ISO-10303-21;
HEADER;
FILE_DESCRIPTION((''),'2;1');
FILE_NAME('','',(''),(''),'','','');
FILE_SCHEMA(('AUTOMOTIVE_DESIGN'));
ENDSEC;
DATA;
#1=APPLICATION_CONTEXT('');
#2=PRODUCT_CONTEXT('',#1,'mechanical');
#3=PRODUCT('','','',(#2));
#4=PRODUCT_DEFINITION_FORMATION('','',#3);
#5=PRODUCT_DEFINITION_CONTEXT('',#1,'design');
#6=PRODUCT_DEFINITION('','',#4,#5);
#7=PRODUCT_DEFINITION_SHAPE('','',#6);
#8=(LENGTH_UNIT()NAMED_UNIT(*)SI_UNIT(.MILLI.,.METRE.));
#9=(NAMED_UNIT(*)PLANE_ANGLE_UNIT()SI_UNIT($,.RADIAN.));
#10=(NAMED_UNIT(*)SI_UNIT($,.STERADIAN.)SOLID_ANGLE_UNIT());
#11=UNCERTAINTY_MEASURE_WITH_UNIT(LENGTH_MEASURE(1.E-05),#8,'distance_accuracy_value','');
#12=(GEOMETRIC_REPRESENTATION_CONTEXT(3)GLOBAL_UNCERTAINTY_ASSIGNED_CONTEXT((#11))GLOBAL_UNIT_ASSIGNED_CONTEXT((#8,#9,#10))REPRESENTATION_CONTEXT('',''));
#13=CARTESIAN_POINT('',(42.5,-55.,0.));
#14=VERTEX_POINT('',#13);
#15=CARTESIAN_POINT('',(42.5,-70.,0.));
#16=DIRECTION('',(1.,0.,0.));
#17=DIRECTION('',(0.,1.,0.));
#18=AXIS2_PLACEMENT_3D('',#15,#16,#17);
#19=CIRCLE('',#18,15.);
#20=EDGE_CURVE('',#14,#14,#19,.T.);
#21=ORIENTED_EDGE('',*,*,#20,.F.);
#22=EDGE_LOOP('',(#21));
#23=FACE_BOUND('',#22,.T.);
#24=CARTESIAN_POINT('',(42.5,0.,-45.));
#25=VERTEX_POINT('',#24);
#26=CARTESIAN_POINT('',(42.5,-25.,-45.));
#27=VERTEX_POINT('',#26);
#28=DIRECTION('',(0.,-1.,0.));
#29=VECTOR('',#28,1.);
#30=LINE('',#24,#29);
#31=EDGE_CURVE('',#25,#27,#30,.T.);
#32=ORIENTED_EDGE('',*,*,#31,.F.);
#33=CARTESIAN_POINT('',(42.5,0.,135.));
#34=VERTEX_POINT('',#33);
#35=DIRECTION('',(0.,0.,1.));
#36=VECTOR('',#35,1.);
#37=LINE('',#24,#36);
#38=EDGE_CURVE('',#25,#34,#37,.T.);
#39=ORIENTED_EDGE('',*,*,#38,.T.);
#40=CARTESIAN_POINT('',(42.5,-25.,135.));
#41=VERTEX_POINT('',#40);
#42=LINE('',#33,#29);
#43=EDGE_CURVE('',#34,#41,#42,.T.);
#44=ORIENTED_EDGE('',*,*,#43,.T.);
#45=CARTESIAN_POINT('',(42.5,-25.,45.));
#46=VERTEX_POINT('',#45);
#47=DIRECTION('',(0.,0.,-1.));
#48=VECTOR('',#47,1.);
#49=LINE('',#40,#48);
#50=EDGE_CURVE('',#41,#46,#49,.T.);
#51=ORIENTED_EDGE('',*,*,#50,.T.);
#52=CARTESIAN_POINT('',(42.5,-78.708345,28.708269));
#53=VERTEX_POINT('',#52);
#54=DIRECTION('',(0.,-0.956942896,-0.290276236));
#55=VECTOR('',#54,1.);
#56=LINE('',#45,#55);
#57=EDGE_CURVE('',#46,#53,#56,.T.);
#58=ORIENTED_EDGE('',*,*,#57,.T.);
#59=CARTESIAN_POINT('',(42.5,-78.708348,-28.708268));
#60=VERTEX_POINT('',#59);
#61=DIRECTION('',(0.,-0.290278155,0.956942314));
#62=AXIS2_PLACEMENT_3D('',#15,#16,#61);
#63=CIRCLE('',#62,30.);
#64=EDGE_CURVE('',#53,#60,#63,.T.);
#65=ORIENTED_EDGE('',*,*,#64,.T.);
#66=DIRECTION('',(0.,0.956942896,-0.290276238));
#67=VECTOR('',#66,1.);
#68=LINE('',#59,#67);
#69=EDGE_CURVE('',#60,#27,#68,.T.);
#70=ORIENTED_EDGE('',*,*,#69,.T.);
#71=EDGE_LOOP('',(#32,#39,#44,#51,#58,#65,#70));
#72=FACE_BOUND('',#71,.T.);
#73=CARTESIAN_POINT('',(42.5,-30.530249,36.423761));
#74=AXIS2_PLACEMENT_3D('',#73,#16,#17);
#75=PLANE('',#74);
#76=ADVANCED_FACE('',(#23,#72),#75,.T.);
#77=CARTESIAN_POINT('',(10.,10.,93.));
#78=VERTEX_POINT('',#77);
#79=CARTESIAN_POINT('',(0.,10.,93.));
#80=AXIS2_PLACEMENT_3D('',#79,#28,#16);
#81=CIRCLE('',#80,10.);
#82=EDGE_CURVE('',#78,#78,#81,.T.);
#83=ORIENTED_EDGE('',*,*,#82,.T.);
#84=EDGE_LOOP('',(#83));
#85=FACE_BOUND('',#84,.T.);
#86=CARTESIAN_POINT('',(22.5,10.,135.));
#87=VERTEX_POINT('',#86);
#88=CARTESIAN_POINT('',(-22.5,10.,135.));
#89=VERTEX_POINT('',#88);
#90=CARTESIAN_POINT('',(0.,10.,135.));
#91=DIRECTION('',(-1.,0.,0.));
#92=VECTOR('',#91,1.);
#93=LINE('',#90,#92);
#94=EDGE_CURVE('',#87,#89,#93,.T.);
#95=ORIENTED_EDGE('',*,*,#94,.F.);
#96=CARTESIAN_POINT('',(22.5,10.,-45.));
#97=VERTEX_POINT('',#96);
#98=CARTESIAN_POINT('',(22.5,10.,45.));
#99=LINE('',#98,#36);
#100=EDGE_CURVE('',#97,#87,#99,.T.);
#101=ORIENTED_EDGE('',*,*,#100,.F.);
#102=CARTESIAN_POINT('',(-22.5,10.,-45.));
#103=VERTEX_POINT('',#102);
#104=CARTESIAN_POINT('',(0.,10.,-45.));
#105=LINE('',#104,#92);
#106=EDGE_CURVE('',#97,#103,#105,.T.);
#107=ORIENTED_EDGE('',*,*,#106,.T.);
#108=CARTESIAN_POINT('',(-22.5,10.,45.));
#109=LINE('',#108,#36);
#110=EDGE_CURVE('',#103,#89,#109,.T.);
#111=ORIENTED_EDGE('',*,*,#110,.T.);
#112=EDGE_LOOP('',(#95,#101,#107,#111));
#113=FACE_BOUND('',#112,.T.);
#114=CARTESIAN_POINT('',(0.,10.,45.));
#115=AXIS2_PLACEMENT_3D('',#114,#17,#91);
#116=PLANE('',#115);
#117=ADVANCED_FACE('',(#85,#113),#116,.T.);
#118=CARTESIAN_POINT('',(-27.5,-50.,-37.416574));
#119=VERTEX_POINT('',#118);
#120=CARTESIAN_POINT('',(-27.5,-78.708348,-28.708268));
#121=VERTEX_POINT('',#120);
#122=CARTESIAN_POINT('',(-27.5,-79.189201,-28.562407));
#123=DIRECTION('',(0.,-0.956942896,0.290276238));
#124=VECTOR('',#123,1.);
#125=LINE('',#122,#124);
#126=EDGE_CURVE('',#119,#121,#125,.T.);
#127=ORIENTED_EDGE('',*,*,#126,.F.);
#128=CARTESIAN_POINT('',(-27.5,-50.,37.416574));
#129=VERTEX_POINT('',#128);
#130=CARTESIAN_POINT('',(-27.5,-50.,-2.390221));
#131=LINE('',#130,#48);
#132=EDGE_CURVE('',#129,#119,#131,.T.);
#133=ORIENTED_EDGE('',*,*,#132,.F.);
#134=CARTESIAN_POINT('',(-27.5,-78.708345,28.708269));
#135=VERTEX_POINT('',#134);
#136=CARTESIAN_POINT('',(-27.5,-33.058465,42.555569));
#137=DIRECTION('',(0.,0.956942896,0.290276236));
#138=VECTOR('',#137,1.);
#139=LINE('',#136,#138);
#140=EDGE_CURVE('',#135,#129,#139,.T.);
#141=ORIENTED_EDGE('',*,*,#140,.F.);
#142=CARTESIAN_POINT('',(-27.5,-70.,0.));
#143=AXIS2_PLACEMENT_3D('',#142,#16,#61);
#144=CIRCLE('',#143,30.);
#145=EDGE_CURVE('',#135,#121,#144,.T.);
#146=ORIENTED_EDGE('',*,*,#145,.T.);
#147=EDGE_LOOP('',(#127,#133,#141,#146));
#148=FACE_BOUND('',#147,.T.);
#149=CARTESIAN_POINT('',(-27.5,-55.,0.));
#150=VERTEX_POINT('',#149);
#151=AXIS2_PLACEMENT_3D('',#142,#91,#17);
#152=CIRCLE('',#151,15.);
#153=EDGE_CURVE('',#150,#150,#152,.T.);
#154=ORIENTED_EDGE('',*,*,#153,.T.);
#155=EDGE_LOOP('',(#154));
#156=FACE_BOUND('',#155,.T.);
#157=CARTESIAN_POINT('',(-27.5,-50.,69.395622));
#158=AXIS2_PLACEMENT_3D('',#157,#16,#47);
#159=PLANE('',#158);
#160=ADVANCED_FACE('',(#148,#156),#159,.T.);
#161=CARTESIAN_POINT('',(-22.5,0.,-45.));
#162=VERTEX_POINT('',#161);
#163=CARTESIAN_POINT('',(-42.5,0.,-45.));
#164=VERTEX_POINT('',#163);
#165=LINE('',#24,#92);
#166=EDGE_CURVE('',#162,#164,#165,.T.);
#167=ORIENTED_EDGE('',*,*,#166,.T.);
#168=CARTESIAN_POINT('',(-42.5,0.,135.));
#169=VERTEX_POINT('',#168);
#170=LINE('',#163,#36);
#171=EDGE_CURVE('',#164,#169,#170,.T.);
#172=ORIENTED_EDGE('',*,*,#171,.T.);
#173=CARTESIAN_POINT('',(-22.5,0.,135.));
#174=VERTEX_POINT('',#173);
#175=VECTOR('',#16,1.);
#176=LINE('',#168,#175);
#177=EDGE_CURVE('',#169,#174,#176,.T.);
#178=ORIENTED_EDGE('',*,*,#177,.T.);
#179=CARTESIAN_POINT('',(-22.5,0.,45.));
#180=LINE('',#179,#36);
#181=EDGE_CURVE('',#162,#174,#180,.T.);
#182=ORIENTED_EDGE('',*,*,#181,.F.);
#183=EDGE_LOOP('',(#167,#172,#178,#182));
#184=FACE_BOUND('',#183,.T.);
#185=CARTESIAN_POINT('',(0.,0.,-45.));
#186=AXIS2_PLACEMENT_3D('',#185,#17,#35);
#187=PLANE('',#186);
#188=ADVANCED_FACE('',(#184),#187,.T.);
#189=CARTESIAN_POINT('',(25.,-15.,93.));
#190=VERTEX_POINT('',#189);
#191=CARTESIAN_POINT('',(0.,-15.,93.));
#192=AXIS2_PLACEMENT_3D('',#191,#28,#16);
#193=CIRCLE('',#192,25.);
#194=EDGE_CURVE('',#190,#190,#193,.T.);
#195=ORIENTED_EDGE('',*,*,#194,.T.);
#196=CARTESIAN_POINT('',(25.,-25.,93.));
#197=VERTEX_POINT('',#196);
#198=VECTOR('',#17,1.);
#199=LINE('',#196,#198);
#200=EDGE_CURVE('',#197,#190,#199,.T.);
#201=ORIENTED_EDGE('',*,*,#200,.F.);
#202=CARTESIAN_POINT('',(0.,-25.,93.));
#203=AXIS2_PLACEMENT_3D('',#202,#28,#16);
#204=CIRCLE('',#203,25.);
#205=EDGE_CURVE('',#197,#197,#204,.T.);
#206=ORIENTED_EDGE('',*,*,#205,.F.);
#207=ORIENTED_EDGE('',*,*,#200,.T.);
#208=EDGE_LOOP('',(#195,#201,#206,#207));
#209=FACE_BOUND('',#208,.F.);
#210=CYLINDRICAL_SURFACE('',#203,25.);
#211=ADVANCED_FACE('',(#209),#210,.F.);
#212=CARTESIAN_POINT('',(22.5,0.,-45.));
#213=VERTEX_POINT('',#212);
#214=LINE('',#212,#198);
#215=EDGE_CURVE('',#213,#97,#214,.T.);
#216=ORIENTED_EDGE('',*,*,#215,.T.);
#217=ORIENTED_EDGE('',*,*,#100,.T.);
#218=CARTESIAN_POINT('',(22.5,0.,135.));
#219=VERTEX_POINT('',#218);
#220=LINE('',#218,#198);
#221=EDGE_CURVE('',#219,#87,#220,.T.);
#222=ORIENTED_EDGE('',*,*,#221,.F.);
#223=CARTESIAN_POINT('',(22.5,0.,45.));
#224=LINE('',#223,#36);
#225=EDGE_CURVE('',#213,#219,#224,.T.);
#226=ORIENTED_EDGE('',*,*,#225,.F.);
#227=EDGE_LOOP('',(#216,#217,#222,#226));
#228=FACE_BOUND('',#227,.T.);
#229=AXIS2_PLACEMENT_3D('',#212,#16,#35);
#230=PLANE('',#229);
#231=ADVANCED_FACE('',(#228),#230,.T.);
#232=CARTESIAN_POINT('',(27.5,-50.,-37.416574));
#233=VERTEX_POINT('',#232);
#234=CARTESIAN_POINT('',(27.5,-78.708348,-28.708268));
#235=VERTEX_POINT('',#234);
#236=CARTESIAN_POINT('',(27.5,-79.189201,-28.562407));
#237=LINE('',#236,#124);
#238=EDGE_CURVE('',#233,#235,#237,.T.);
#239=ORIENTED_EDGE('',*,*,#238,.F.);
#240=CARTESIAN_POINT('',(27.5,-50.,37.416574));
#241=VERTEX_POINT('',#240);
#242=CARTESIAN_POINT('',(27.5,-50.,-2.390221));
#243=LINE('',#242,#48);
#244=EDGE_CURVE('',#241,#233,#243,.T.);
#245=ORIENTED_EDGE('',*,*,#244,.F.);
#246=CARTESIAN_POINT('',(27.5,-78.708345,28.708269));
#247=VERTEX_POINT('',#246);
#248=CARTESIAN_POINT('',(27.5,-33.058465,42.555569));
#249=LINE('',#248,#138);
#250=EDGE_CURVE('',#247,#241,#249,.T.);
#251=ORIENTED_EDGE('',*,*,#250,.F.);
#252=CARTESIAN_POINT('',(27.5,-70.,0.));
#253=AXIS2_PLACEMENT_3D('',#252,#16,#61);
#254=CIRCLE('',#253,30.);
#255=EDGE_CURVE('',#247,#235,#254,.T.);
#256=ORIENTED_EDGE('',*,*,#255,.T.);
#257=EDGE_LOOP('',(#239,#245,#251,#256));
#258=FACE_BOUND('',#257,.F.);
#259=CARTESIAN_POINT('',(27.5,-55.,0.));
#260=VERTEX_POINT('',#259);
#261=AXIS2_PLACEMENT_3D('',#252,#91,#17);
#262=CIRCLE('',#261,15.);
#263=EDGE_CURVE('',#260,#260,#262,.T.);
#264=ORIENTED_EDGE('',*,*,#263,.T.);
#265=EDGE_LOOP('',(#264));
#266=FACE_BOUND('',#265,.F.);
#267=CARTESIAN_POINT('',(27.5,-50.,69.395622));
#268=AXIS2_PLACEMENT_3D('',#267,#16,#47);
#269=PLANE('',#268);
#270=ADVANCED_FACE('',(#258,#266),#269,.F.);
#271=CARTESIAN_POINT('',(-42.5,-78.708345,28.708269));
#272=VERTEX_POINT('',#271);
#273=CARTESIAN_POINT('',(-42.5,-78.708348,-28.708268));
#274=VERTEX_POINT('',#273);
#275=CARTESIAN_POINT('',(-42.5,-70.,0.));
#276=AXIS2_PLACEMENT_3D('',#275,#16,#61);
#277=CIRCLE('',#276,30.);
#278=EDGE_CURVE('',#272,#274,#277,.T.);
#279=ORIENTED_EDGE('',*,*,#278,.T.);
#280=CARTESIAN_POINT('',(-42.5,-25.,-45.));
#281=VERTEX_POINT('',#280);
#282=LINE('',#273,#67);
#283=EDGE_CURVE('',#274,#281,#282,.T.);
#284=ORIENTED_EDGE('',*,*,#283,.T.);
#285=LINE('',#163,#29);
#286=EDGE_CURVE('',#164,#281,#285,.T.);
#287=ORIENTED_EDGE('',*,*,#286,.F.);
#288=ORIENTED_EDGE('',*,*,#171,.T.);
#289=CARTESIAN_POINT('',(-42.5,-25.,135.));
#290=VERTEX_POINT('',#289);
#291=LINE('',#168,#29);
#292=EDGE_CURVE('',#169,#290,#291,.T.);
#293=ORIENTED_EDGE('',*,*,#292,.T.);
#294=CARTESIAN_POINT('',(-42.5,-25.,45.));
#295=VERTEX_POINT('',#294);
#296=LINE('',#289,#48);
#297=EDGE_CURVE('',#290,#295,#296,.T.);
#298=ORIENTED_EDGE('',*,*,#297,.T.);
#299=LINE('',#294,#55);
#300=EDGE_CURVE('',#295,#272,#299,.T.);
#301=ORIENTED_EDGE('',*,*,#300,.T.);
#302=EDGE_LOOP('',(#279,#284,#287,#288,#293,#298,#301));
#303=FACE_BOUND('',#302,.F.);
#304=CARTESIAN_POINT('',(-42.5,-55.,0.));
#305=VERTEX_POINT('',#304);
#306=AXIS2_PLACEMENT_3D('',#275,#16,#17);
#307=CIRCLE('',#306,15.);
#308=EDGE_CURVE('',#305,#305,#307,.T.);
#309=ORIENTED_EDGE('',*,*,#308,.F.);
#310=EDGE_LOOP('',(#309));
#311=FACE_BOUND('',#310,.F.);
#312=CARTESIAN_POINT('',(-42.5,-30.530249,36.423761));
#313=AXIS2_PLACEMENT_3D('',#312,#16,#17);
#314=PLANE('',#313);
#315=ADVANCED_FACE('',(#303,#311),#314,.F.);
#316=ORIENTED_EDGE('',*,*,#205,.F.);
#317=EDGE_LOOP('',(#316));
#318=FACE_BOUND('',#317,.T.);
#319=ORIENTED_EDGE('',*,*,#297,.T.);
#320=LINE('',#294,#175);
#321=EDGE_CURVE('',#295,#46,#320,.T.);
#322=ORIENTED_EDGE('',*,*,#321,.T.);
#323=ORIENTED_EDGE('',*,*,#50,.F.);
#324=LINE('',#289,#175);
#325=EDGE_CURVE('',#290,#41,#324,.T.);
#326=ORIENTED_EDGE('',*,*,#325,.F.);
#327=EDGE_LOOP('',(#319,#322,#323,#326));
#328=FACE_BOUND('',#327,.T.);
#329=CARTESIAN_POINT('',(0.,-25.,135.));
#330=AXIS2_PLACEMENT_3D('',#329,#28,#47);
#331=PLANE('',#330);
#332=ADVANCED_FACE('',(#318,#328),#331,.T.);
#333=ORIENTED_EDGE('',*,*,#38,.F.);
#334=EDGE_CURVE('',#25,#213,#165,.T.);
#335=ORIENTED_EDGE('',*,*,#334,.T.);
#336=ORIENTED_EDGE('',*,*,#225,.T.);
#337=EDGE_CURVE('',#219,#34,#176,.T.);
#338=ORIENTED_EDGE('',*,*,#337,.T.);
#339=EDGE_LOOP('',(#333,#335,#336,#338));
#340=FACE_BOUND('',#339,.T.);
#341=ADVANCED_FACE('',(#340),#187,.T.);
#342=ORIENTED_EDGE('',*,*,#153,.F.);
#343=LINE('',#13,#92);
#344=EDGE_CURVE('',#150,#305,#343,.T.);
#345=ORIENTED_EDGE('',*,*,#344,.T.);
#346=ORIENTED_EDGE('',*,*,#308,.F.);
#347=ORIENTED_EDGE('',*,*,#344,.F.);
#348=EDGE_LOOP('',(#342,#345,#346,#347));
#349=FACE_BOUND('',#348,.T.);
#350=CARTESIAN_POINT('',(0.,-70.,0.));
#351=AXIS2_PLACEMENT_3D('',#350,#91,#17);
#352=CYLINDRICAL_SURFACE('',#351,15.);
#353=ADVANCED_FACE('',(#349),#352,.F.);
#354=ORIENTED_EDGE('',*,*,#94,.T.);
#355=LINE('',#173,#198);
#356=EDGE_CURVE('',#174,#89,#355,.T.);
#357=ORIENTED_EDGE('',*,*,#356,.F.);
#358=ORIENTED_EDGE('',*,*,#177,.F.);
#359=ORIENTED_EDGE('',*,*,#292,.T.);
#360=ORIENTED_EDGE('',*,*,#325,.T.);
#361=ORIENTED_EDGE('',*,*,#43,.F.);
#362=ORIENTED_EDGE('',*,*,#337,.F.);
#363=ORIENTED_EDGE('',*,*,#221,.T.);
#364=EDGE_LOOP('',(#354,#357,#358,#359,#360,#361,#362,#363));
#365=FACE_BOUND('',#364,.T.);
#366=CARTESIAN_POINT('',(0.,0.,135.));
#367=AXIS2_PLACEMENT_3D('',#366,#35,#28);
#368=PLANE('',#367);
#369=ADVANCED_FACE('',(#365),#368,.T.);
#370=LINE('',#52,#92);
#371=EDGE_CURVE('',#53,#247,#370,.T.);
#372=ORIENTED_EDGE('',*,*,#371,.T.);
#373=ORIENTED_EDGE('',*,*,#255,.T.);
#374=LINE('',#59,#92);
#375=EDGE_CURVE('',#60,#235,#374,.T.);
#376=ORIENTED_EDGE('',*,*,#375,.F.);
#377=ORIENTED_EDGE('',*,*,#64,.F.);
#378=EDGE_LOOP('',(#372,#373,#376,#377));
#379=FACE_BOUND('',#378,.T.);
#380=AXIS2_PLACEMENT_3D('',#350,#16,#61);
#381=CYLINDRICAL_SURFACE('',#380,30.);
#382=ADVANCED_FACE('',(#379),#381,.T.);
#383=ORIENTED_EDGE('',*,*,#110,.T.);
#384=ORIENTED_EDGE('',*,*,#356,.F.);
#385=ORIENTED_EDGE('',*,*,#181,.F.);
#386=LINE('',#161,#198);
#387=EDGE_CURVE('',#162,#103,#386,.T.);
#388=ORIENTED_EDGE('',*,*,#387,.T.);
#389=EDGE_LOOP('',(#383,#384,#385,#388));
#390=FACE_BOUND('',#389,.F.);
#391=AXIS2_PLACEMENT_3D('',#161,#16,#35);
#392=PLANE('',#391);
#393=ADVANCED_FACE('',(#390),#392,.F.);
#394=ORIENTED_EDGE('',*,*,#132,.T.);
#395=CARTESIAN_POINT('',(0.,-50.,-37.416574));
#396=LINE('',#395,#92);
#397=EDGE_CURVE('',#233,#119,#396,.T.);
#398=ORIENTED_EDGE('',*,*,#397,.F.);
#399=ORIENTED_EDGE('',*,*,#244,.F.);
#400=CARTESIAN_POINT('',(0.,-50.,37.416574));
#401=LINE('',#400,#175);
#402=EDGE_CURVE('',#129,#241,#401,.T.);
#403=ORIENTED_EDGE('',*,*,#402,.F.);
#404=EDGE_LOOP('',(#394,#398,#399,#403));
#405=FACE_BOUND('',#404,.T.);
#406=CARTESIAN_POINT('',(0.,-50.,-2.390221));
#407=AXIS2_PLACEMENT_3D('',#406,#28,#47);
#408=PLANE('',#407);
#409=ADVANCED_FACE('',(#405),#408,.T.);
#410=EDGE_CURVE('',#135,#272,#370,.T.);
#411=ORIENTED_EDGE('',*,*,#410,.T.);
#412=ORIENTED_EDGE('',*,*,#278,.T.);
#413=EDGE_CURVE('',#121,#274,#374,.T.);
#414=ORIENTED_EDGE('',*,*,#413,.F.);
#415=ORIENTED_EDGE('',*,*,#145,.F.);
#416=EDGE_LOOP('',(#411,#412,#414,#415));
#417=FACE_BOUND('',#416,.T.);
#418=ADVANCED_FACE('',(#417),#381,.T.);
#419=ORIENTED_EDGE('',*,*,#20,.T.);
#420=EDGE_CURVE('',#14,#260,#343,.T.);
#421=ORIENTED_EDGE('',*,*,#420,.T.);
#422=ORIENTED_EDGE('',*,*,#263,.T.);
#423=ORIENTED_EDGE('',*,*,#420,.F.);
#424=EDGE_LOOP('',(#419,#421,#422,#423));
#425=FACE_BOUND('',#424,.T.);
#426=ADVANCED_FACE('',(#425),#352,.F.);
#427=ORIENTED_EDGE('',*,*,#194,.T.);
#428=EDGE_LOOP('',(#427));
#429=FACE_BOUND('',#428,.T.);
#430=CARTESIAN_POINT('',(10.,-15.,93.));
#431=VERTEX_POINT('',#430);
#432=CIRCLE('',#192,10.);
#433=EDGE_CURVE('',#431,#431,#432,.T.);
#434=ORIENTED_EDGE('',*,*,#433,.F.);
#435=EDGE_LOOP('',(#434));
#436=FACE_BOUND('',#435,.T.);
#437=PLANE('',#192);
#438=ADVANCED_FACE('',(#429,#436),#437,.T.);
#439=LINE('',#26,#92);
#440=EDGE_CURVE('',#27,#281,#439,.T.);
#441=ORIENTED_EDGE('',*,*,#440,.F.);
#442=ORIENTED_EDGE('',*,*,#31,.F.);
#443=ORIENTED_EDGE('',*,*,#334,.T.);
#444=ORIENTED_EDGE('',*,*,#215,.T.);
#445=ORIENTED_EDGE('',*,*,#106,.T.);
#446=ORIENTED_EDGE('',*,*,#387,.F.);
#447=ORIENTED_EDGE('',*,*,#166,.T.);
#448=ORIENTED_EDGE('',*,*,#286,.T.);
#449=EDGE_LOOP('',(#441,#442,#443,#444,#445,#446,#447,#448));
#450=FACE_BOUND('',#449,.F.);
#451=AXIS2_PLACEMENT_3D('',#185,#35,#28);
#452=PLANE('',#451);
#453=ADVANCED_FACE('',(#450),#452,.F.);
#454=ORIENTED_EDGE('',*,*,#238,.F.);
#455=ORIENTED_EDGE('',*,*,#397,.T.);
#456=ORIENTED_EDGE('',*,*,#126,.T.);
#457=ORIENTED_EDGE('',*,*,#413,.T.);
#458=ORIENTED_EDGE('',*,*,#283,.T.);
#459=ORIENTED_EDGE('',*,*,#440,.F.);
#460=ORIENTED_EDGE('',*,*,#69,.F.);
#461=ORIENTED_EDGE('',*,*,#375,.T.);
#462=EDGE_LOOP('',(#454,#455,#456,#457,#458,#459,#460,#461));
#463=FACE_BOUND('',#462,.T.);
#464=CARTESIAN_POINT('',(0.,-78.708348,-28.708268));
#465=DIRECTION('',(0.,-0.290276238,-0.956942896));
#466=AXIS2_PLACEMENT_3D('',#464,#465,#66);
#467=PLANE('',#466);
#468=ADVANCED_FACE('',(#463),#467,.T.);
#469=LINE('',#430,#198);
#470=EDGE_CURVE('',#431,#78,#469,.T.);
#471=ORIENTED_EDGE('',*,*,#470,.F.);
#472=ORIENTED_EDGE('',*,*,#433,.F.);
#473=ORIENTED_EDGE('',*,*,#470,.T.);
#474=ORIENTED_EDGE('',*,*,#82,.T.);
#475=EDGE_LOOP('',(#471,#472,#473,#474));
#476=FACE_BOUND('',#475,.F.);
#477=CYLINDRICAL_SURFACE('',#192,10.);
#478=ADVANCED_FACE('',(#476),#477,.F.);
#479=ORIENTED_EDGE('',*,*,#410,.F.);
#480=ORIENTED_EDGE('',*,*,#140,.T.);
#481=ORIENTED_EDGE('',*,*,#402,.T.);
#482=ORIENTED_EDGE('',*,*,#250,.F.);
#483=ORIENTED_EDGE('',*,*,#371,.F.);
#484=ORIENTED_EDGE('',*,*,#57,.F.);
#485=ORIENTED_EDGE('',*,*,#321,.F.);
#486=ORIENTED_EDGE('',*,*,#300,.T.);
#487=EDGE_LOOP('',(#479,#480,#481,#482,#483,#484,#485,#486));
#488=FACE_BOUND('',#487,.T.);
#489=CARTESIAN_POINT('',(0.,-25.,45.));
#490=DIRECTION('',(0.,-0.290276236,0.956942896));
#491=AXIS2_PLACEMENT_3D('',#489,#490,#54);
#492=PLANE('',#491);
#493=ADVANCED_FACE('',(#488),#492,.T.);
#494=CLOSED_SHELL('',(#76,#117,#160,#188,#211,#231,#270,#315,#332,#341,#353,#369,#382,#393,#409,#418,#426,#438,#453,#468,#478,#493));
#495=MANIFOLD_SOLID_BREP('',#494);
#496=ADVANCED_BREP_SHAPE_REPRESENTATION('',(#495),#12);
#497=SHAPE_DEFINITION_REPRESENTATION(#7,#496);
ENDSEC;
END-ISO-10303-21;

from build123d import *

# Parameters (mm, degrees)
SKETCH001_W     = 143.571686
SKETCH001_H     = 55
PAD001_DEPTH    = 60
SKETCH_R        = 15
PAD_DEPTH       = 42.5
SKETCH002_W     = 45
SKETCH002_H     = 180
PAD002_DEPTH    = 10
SKETCH003_R     = 25
POCKET_DEPTH    = 10
SKETCH004_R     = 10
POCKET001_DEPTH = 25.001


with BuildPart() as pad001:
    # Sketch001 → Pad001 (new body)
    with BuildSketch(Plane(origin=(0, -50, 0), x_dir=(0, 0, -1), z_dir=(0, -1, 0))):
        with Locations((2.390221, 0)):
            Rectangle(SKETCH001_W, SKETCH001_H)
    extrude(amount=PAD001_DEPTH)


with BuildPart() as pocket001:
    # Sketch → Pad (new body, symmetric)
    with BuildSketch(Plane.YZ):
        with BuildLine():
            Line((0, -45), (0, 135))
            Line((0, 135), (-25, 135))
            Line((-25, 135), (-25, 45))
            Line((-25, 45), (-78.708345, 28.708269))
            ThreePointArc((-78.708345, 28.708269), (-100, 2e-06), (-78.708348, -28.708268))
            Line((-78.708348, -28.708268), (-25, -45))
            Line((0, -45), (-25, -45))
        make_face()
        with Locations((-70, 0)):
            Circle(SKETCH_R, mode=Mode.SUBTRACT)
    extrude(amount=PAD_DEPTH, both=True)

    # Cut: cut Pad001
    add(pad001.part, mode=Mode.SUBTRACT)

    # Sketch002 → Pad002 (new body)
    with BuildSketch(Plane(origin=(0, 0, 0), x_dir=(-1, 0, 0), z_dir=(0, 1, 0))):
        with Locations((0, 45)):
            Rectangle(SKETCH002_W, SKETCH002_H)
    extrude(amount=PAD002_DEPTH)

    # Sketch003 → Pocket (cut)
    with BuildSketch(Plane.XZ.offset(25)):
        with Locations((0, 93)):
            Circle(SKETCH003_R)
    extrude(amount=-POCKET_DEPTH, mode=Mode.SUBTRACT)

    # Sketch004 → Pocket001 (cut, through all)
    with BuildSketch(Plane.XZ.offset(15)):
        with Locations((0, 93)):
            Circle(SKETCH004_R)
    extrude(amount=-POCKET001_DEPTH, mode=Mode.SUBTRACT)


solid = pocket001.part
